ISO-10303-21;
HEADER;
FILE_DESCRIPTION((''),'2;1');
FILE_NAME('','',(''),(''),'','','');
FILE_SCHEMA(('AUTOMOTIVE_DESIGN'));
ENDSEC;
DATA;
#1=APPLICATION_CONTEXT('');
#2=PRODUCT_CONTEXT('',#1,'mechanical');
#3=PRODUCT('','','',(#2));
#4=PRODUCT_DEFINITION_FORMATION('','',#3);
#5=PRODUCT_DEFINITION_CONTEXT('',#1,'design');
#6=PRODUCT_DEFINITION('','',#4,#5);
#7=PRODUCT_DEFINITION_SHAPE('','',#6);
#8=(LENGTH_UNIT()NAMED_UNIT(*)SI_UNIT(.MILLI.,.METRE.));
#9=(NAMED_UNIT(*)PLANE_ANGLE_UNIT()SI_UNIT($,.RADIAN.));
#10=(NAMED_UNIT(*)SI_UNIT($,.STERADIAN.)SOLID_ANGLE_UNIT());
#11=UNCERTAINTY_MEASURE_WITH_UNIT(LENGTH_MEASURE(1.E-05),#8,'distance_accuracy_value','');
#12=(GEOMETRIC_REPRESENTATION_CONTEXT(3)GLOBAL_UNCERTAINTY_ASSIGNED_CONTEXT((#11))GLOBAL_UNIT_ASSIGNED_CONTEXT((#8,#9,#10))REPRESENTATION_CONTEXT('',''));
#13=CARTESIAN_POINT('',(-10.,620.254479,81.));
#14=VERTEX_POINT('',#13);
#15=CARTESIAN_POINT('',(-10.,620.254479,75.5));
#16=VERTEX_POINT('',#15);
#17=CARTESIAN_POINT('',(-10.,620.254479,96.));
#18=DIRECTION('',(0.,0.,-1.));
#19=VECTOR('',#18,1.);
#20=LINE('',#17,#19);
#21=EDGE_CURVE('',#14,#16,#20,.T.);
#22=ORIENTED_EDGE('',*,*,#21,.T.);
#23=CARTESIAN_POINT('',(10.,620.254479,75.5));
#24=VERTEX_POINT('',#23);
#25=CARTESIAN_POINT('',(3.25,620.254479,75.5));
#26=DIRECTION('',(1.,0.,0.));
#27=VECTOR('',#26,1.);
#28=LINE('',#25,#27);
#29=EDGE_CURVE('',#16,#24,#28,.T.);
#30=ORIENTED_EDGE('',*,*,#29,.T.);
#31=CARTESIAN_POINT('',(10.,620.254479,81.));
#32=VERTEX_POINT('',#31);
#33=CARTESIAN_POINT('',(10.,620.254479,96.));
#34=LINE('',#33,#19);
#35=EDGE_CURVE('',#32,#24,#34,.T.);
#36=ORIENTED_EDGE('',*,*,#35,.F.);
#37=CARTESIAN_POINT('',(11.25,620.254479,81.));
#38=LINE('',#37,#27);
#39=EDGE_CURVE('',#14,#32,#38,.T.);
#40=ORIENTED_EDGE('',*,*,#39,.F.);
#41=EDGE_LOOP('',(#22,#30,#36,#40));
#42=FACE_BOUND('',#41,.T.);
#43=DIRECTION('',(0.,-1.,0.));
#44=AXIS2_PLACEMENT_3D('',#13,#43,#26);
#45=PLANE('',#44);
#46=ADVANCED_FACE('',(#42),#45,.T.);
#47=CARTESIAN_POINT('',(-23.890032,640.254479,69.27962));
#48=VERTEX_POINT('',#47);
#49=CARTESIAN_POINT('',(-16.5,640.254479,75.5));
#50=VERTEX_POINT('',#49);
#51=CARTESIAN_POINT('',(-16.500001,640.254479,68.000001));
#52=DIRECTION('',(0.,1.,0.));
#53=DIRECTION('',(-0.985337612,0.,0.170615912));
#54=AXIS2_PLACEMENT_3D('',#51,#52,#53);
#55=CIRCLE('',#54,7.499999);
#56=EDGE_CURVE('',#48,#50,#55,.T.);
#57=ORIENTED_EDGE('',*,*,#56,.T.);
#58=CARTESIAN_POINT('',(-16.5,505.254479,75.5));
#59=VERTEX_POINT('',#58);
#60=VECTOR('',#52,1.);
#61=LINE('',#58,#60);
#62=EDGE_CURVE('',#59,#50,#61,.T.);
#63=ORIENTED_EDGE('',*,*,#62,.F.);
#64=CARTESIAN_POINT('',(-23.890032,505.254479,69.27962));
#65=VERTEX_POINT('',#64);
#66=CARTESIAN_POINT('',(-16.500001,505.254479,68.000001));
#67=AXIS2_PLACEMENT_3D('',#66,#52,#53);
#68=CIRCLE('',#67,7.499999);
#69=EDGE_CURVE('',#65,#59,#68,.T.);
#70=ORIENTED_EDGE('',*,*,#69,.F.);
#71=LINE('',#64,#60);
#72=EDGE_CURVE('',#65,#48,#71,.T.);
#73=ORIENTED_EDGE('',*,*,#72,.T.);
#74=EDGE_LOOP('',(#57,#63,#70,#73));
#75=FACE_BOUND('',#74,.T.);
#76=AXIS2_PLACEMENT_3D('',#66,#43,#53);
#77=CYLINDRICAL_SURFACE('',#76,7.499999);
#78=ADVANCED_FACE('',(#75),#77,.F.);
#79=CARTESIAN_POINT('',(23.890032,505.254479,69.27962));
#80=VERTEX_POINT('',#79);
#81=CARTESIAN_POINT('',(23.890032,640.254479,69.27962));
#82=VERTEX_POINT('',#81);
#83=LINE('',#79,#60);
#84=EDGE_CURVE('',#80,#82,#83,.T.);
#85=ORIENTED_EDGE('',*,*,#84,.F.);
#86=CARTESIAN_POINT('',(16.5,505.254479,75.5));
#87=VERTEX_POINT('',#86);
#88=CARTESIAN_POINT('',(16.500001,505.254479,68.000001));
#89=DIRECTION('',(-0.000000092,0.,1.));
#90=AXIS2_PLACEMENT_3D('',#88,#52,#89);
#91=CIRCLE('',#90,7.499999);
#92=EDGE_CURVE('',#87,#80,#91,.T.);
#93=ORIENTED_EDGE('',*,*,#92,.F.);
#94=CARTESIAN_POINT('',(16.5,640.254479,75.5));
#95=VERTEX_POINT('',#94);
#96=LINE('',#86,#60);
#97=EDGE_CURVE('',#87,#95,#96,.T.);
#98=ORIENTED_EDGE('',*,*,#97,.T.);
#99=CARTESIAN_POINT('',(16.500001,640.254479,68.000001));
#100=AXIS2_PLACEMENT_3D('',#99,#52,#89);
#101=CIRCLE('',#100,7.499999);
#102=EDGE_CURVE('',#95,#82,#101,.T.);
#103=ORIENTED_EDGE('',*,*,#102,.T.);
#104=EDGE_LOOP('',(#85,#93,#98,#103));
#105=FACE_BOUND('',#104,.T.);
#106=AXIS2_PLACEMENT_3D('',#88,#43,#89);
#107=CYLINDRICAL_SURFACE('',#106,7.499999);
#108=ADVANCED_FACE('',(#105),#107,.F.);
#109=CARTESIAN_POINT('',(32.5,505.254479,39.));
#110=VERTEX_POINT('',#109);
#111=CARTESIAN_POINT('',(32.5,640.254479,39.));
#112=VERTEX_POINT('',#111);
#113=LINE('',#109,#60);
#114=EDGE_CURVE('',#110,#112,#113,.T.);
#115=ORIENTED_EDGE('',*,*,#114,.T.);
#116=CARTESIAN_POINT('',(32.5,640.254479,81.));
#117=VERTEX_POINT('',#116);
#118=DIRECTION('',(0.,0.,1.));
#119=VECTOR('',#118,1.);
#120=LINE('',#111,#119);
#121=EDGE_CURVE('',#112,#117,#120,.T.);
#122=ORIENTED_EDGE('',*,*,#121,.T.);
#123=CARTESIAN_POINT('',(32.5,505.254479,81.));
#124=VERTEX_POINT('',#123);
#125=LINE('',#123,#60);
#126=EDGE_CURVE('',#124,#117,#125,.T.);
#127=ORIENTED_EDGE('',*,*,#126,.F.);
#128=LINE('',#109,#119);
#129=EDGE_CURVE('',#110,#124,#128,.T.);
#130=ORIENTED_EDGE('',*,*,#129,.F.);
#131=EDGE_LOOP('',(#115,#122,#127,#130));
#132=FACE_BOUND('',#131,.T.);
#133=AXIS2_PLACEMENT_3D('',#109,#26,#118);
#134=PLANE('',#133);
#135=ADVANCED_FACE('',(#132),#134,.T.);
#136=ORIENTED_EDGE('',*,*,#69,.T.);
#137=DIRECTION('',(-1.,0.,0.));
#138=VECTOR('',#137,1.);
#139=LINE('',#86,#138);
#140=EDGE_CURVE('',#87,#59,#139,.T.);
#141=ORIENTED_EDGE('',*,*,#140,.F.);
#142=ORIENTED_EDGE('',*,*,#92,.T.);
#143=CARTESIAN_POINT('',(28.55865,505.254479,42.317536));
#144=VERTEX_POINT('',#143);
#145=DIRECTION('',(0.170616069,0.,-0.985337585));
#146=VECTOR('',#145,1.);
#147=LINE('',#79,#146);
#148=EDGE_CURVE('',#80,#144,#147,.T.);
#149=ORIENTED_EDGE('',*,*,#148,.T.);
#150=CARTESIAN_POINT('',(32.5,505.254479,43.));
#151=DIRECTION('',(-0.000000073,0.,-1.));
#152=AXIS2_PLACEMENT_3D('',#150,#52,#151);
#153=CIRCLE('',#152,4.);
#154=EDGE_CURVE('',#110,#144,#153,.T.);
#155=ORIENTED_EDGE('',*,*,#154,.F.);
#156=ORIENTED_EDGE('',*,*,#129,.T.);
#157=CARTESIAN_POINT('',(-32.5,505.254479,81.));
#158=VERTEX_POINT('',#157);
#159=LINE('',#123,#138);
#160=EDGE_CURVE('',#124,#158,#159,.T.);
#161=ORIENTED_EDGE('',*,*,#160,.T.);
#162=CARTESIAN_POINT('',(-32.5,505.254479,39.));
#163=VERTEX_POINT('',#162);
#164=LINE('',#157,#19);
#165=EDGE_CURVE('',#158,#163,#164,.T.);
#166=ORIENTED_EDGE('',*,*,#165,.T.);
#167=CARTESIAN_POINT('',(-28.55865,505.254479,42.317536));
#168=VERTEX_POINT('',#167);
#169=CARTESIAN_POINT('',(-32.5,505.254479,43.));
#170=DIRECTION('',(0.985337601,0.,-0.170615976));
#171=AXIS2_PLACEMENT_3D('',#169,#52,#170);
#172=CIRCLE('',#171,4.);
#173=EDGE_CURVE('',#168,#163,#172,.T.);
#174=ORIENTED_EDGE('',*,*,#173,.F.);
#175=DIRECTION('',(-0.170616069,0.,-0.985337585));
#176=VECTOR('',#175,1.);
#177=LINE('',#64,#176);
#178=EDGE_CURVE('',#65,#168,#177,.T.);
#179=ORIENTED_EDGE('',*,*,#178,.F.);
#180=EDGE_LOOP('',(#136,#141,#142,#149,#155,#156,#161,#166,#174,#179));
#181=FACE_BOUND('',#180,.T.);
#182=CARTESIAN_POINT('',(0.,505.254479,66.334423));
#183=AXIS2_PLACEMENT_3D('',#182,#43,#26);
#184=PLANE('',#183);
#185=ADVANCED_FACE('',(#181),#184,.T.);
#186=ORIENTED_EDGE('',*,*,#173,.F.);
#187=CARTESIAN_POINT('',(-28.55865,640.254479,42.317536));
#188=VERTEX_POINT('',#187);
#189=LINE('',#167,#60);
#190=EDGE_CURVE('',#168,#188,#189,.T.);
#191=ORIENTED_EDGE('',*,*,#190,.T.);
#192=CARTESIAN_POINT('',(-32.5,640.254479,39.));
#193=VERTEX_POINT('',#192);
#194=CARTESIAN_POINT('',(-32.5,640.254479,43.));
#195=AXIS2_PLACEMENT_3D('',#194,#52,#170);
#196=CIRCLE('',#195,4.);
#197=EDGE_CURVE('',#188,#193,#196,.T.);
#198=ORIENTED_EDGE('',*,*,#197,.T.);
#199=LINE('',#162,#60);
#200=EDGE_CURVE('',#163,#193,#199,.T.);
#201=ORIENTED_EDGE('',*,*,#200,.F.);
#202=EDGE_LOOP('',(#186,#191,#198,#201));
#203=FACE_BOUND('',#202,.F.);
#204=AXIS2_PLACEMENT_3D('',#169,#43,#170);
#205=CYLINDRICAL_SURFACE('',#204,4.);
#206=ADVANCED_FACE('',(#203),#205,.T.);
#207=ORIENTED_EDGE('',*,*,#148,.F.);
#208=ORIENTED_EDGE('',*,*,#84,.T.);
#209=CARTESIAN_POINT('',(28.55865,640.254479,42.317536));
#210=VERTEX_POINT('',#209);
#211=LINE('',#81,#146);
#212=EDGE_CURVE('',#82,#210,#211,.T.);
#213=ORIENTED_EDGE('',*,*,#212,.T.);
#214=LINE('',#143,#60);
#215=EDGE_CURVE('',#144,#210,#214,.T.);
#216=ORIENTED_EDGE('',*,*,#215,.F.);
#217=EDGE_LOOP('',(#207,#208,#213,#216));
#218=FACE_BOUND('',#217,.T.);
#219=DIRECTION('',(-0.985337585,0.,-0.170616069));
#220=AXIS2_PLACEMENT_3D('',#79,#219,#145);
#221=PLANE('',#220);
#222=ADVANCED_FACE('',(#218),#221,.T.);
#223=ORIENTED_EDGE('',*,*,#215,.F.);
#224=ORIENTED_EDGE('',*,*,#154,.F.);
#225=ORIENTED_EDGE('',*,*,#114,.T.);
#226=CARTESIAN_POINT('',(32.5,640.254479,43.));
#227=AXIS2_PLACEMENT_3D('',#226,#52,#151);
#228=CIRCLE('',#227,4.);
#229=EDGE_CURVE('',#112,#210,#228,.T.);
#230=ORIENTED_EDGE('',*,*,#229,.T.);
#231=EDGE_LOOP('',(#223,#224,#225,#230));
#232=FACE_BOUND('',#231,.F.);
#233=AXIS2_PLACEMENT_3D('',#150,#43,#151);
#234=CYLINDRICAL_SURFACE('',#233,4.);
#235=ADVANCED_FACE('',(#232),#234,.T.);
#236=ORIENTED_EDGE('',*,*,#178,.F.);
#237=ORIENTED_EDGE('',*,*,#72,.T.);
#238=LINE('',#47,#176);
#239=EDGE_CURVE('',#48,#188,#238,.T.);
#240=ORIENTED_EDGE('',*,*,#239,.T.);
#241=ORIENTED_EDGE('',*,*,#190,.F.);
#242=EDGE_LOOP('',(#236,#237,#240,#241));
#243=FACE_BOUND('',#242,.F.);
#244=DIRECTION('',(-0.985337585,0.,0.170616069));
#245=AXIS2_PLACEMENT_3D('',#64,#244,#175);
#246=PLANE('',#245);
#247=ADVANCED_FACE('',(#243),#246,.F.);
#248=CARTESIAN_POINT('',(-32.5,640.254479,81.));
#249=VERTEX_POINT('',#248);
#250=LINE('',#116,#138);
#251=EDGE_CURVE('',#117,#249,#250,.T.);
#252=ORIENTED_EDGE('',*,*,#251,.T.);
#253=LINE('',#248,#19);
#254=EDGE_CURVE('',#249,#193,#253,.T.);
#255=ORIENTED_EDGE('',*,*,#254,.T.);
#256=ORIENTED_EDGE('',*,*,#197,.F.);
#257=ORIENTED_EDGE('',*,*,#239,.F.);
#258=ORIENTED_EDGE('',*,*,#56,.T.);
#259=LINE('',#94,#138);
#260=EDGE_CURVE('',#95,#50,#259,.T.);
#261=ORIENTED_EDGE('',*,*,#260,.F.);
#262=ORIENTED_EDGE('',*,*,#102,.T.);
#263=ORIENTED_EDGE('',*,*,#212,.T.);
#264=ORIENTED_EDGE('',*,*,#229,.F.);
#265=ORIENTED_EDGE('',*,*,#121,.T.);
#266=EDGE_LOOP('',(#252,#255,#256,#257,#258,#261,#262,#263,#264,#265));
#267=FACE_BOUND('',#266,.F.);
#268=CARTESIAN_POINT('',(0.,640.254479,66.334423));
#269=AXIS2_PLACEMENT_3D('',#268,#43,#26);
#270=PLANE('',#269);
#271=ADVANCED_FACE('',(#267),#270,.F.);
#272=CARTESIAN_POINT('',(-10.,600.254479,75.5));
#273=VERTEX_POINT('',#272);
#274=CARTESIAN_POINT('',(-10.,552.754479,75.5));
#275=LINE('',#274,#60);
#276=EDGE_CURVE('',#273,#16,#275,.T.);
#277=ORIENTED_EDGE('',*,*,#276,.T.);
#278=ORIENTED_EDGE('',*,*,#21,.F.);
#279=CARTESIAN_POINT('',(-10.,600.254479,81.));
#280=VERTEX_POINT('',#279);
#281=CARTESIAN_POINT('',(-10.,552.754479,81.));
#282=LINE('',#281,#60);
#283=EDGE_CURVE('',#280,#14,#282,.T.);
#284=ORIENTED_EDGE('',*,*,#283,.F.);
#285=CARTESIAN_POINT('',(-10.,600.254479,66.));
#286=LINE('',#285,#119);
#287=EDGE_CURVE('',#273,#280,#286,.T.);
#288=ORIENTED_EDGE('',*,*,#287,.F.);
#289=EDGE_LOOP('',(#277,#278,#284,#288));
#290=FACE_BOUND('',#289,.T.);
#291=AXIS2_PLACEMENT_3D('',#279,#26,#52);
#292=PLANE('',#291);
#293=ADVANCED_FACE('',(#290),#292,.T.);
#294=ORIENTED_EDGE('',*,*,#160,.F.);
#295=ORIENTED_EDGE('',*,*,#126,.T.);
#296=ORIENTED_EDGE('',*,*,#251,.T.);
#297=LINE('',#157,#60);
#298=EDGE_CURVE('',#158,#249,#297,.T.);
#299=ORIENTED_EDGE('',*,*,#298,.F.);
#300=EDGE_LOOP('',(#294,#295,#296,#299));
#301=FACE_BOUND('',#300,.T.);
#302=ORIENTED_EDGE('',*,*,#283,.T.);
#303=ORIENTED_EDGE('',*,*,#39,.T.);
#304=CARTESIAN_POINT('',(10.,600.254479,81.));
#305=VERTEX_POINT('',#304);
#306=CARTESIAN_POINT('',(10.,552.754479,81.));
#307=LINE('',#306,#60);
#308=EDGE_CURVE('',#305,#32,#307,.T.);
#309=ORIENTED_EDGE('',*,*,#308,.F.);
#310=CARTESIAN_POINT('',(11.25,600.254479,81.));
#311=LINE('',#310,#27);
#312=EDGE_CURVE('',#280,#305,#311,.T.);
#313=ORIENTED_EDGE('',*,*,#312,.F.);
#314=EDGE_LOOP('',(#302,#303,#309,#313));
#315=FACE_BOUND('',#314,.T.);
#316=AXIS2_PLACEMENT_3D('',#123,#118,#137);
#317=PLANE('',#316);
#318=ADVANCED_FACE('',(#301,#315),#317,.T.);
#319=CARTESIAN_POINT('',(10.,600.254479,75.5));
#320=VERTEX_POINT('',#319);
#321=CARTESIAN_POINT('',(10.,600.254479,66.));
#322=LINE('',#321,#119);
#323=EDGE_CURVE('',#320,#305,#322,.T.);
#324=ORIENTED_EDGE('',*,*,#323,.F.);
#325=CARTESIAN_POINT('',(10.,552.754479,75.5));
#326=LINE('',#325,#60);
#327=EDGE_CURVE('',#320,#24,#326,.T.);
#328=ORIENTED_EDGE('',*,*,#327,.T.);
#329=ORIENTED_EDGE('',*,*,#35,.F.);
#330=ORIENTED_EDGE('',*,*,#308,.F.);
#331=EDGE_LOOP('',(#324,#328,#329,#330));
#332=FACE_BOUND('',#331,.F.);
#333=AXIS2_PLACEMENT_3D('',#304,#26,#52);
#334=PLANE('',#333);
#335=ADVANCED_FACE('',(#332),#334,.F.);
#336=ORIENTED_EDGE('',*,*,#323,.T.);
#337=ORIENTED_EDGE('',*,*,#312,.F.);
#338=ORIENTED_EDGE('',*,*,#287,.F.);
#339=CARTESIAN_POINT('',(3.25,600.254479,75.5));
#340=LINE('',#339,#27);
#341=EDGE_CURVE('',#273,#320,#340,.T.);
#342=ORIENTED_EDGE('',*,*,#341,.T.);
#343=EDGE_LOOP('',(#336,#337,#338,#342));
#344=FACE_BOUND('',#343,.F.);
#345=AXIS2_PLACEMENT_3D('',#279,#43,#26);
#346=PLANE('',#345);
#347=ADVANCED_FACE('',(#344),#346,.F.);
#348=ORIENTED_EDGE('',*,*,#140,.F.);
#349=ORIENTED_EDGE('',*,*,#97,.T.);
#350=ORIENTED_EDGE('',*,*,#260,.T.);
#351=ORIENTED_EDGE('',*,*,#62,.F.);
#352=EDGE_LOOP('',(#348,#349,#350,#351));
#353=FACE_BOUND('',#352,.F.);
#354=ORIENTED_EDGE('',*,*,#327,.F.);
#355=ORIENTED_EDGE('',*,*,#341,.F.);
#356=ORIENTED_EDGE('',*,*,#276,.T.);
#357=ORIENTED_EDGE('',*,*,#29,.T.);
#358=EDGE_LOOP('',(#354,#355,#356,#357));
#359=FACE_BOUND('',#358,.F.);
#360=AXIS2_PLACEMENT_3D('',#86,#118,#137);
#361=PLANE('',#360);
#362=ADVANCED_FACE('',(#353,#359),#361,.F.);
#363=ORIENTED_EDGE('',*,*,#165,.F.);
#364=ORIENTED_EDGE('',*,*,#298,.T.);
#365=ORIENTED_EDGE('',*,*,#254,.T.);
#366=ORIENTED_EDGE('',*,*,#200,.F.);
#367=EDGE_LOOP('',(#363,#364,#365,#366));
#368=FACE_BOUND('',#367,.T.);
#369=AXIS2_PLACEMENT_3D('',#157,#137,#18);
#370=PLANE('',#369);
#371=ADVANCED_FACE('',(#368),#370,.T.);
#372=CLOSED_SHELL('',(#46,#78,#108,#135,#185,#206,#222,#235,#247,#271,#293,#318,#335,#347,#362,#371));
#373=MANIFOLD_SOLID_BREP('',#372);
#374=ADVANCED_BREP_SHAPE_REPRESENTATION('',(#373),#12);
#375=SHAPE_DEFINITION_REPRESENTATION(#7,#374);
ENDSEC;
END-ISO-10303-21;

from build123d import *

# Parameters (mm, degrees)
SKETCH021_W      = 20
SKETCH021_H      = 20
EXTRUDE021_DEPTH = 15
EXTRUDE022_DEPTH = 135


with BuildPart() as extrude021:
    # Sketch021 (on Face2 of Extrude022) → Extrude021 (new body, symmetric)
    with BuildSketch(Plane.XY.offset(81)):
        with Locations((0, 610.254479)):
            Rectangle(SKETCH021_W, SKETCH021_H)
    extrude(amount=EXTRUDE021_DEPTH, both=True)


with BuildPart() as u070:
    # Sketch024 (on Face6 of Extrude023) → Extrude022 (new body)
    with BuildSketch(Plane(origin=(0, 505.254479, 0), x_dir=(-1, 0, 0), z_dir=(0, 1, 0))):
        with BuildLine():
            Line((-32.5, 39), (-32.5, 81))
            Line((-32.5, 81), (32.5, 81))
            Line((32.5, 81), (32.5, 39))
            ThreePointArc((28.55865, 42.317536), (29.924137, 39.939783), (32.5, 39))
            Line((23.890032, 69.27962), (28.55865, 42.317536))
            ThreePointArc((23.890032, 69.27962), (21.329744, 73.737907), (16.5, 75.5))
            Line((-16.5, 75.5), (16.5, 75.5))
            ThreePointArc((-16.5, 75.5), (-21.329744, 73.737907), (-23.890032, 69.27962))
            Line((-23.890032, 69.27962), (-28.55865, 42.317536))
            ThreePointArc((-32.5, 39), (-29.924137, 39.939783), (-28.55865, 42.317536))
        make_face()
    extrude(amount=EXTRUDE022_DEPTH)

    # Cut008: cut Extrude021
    add(extrude021.part, mode=Mode.SUBTRACT)


solid = u070.part
